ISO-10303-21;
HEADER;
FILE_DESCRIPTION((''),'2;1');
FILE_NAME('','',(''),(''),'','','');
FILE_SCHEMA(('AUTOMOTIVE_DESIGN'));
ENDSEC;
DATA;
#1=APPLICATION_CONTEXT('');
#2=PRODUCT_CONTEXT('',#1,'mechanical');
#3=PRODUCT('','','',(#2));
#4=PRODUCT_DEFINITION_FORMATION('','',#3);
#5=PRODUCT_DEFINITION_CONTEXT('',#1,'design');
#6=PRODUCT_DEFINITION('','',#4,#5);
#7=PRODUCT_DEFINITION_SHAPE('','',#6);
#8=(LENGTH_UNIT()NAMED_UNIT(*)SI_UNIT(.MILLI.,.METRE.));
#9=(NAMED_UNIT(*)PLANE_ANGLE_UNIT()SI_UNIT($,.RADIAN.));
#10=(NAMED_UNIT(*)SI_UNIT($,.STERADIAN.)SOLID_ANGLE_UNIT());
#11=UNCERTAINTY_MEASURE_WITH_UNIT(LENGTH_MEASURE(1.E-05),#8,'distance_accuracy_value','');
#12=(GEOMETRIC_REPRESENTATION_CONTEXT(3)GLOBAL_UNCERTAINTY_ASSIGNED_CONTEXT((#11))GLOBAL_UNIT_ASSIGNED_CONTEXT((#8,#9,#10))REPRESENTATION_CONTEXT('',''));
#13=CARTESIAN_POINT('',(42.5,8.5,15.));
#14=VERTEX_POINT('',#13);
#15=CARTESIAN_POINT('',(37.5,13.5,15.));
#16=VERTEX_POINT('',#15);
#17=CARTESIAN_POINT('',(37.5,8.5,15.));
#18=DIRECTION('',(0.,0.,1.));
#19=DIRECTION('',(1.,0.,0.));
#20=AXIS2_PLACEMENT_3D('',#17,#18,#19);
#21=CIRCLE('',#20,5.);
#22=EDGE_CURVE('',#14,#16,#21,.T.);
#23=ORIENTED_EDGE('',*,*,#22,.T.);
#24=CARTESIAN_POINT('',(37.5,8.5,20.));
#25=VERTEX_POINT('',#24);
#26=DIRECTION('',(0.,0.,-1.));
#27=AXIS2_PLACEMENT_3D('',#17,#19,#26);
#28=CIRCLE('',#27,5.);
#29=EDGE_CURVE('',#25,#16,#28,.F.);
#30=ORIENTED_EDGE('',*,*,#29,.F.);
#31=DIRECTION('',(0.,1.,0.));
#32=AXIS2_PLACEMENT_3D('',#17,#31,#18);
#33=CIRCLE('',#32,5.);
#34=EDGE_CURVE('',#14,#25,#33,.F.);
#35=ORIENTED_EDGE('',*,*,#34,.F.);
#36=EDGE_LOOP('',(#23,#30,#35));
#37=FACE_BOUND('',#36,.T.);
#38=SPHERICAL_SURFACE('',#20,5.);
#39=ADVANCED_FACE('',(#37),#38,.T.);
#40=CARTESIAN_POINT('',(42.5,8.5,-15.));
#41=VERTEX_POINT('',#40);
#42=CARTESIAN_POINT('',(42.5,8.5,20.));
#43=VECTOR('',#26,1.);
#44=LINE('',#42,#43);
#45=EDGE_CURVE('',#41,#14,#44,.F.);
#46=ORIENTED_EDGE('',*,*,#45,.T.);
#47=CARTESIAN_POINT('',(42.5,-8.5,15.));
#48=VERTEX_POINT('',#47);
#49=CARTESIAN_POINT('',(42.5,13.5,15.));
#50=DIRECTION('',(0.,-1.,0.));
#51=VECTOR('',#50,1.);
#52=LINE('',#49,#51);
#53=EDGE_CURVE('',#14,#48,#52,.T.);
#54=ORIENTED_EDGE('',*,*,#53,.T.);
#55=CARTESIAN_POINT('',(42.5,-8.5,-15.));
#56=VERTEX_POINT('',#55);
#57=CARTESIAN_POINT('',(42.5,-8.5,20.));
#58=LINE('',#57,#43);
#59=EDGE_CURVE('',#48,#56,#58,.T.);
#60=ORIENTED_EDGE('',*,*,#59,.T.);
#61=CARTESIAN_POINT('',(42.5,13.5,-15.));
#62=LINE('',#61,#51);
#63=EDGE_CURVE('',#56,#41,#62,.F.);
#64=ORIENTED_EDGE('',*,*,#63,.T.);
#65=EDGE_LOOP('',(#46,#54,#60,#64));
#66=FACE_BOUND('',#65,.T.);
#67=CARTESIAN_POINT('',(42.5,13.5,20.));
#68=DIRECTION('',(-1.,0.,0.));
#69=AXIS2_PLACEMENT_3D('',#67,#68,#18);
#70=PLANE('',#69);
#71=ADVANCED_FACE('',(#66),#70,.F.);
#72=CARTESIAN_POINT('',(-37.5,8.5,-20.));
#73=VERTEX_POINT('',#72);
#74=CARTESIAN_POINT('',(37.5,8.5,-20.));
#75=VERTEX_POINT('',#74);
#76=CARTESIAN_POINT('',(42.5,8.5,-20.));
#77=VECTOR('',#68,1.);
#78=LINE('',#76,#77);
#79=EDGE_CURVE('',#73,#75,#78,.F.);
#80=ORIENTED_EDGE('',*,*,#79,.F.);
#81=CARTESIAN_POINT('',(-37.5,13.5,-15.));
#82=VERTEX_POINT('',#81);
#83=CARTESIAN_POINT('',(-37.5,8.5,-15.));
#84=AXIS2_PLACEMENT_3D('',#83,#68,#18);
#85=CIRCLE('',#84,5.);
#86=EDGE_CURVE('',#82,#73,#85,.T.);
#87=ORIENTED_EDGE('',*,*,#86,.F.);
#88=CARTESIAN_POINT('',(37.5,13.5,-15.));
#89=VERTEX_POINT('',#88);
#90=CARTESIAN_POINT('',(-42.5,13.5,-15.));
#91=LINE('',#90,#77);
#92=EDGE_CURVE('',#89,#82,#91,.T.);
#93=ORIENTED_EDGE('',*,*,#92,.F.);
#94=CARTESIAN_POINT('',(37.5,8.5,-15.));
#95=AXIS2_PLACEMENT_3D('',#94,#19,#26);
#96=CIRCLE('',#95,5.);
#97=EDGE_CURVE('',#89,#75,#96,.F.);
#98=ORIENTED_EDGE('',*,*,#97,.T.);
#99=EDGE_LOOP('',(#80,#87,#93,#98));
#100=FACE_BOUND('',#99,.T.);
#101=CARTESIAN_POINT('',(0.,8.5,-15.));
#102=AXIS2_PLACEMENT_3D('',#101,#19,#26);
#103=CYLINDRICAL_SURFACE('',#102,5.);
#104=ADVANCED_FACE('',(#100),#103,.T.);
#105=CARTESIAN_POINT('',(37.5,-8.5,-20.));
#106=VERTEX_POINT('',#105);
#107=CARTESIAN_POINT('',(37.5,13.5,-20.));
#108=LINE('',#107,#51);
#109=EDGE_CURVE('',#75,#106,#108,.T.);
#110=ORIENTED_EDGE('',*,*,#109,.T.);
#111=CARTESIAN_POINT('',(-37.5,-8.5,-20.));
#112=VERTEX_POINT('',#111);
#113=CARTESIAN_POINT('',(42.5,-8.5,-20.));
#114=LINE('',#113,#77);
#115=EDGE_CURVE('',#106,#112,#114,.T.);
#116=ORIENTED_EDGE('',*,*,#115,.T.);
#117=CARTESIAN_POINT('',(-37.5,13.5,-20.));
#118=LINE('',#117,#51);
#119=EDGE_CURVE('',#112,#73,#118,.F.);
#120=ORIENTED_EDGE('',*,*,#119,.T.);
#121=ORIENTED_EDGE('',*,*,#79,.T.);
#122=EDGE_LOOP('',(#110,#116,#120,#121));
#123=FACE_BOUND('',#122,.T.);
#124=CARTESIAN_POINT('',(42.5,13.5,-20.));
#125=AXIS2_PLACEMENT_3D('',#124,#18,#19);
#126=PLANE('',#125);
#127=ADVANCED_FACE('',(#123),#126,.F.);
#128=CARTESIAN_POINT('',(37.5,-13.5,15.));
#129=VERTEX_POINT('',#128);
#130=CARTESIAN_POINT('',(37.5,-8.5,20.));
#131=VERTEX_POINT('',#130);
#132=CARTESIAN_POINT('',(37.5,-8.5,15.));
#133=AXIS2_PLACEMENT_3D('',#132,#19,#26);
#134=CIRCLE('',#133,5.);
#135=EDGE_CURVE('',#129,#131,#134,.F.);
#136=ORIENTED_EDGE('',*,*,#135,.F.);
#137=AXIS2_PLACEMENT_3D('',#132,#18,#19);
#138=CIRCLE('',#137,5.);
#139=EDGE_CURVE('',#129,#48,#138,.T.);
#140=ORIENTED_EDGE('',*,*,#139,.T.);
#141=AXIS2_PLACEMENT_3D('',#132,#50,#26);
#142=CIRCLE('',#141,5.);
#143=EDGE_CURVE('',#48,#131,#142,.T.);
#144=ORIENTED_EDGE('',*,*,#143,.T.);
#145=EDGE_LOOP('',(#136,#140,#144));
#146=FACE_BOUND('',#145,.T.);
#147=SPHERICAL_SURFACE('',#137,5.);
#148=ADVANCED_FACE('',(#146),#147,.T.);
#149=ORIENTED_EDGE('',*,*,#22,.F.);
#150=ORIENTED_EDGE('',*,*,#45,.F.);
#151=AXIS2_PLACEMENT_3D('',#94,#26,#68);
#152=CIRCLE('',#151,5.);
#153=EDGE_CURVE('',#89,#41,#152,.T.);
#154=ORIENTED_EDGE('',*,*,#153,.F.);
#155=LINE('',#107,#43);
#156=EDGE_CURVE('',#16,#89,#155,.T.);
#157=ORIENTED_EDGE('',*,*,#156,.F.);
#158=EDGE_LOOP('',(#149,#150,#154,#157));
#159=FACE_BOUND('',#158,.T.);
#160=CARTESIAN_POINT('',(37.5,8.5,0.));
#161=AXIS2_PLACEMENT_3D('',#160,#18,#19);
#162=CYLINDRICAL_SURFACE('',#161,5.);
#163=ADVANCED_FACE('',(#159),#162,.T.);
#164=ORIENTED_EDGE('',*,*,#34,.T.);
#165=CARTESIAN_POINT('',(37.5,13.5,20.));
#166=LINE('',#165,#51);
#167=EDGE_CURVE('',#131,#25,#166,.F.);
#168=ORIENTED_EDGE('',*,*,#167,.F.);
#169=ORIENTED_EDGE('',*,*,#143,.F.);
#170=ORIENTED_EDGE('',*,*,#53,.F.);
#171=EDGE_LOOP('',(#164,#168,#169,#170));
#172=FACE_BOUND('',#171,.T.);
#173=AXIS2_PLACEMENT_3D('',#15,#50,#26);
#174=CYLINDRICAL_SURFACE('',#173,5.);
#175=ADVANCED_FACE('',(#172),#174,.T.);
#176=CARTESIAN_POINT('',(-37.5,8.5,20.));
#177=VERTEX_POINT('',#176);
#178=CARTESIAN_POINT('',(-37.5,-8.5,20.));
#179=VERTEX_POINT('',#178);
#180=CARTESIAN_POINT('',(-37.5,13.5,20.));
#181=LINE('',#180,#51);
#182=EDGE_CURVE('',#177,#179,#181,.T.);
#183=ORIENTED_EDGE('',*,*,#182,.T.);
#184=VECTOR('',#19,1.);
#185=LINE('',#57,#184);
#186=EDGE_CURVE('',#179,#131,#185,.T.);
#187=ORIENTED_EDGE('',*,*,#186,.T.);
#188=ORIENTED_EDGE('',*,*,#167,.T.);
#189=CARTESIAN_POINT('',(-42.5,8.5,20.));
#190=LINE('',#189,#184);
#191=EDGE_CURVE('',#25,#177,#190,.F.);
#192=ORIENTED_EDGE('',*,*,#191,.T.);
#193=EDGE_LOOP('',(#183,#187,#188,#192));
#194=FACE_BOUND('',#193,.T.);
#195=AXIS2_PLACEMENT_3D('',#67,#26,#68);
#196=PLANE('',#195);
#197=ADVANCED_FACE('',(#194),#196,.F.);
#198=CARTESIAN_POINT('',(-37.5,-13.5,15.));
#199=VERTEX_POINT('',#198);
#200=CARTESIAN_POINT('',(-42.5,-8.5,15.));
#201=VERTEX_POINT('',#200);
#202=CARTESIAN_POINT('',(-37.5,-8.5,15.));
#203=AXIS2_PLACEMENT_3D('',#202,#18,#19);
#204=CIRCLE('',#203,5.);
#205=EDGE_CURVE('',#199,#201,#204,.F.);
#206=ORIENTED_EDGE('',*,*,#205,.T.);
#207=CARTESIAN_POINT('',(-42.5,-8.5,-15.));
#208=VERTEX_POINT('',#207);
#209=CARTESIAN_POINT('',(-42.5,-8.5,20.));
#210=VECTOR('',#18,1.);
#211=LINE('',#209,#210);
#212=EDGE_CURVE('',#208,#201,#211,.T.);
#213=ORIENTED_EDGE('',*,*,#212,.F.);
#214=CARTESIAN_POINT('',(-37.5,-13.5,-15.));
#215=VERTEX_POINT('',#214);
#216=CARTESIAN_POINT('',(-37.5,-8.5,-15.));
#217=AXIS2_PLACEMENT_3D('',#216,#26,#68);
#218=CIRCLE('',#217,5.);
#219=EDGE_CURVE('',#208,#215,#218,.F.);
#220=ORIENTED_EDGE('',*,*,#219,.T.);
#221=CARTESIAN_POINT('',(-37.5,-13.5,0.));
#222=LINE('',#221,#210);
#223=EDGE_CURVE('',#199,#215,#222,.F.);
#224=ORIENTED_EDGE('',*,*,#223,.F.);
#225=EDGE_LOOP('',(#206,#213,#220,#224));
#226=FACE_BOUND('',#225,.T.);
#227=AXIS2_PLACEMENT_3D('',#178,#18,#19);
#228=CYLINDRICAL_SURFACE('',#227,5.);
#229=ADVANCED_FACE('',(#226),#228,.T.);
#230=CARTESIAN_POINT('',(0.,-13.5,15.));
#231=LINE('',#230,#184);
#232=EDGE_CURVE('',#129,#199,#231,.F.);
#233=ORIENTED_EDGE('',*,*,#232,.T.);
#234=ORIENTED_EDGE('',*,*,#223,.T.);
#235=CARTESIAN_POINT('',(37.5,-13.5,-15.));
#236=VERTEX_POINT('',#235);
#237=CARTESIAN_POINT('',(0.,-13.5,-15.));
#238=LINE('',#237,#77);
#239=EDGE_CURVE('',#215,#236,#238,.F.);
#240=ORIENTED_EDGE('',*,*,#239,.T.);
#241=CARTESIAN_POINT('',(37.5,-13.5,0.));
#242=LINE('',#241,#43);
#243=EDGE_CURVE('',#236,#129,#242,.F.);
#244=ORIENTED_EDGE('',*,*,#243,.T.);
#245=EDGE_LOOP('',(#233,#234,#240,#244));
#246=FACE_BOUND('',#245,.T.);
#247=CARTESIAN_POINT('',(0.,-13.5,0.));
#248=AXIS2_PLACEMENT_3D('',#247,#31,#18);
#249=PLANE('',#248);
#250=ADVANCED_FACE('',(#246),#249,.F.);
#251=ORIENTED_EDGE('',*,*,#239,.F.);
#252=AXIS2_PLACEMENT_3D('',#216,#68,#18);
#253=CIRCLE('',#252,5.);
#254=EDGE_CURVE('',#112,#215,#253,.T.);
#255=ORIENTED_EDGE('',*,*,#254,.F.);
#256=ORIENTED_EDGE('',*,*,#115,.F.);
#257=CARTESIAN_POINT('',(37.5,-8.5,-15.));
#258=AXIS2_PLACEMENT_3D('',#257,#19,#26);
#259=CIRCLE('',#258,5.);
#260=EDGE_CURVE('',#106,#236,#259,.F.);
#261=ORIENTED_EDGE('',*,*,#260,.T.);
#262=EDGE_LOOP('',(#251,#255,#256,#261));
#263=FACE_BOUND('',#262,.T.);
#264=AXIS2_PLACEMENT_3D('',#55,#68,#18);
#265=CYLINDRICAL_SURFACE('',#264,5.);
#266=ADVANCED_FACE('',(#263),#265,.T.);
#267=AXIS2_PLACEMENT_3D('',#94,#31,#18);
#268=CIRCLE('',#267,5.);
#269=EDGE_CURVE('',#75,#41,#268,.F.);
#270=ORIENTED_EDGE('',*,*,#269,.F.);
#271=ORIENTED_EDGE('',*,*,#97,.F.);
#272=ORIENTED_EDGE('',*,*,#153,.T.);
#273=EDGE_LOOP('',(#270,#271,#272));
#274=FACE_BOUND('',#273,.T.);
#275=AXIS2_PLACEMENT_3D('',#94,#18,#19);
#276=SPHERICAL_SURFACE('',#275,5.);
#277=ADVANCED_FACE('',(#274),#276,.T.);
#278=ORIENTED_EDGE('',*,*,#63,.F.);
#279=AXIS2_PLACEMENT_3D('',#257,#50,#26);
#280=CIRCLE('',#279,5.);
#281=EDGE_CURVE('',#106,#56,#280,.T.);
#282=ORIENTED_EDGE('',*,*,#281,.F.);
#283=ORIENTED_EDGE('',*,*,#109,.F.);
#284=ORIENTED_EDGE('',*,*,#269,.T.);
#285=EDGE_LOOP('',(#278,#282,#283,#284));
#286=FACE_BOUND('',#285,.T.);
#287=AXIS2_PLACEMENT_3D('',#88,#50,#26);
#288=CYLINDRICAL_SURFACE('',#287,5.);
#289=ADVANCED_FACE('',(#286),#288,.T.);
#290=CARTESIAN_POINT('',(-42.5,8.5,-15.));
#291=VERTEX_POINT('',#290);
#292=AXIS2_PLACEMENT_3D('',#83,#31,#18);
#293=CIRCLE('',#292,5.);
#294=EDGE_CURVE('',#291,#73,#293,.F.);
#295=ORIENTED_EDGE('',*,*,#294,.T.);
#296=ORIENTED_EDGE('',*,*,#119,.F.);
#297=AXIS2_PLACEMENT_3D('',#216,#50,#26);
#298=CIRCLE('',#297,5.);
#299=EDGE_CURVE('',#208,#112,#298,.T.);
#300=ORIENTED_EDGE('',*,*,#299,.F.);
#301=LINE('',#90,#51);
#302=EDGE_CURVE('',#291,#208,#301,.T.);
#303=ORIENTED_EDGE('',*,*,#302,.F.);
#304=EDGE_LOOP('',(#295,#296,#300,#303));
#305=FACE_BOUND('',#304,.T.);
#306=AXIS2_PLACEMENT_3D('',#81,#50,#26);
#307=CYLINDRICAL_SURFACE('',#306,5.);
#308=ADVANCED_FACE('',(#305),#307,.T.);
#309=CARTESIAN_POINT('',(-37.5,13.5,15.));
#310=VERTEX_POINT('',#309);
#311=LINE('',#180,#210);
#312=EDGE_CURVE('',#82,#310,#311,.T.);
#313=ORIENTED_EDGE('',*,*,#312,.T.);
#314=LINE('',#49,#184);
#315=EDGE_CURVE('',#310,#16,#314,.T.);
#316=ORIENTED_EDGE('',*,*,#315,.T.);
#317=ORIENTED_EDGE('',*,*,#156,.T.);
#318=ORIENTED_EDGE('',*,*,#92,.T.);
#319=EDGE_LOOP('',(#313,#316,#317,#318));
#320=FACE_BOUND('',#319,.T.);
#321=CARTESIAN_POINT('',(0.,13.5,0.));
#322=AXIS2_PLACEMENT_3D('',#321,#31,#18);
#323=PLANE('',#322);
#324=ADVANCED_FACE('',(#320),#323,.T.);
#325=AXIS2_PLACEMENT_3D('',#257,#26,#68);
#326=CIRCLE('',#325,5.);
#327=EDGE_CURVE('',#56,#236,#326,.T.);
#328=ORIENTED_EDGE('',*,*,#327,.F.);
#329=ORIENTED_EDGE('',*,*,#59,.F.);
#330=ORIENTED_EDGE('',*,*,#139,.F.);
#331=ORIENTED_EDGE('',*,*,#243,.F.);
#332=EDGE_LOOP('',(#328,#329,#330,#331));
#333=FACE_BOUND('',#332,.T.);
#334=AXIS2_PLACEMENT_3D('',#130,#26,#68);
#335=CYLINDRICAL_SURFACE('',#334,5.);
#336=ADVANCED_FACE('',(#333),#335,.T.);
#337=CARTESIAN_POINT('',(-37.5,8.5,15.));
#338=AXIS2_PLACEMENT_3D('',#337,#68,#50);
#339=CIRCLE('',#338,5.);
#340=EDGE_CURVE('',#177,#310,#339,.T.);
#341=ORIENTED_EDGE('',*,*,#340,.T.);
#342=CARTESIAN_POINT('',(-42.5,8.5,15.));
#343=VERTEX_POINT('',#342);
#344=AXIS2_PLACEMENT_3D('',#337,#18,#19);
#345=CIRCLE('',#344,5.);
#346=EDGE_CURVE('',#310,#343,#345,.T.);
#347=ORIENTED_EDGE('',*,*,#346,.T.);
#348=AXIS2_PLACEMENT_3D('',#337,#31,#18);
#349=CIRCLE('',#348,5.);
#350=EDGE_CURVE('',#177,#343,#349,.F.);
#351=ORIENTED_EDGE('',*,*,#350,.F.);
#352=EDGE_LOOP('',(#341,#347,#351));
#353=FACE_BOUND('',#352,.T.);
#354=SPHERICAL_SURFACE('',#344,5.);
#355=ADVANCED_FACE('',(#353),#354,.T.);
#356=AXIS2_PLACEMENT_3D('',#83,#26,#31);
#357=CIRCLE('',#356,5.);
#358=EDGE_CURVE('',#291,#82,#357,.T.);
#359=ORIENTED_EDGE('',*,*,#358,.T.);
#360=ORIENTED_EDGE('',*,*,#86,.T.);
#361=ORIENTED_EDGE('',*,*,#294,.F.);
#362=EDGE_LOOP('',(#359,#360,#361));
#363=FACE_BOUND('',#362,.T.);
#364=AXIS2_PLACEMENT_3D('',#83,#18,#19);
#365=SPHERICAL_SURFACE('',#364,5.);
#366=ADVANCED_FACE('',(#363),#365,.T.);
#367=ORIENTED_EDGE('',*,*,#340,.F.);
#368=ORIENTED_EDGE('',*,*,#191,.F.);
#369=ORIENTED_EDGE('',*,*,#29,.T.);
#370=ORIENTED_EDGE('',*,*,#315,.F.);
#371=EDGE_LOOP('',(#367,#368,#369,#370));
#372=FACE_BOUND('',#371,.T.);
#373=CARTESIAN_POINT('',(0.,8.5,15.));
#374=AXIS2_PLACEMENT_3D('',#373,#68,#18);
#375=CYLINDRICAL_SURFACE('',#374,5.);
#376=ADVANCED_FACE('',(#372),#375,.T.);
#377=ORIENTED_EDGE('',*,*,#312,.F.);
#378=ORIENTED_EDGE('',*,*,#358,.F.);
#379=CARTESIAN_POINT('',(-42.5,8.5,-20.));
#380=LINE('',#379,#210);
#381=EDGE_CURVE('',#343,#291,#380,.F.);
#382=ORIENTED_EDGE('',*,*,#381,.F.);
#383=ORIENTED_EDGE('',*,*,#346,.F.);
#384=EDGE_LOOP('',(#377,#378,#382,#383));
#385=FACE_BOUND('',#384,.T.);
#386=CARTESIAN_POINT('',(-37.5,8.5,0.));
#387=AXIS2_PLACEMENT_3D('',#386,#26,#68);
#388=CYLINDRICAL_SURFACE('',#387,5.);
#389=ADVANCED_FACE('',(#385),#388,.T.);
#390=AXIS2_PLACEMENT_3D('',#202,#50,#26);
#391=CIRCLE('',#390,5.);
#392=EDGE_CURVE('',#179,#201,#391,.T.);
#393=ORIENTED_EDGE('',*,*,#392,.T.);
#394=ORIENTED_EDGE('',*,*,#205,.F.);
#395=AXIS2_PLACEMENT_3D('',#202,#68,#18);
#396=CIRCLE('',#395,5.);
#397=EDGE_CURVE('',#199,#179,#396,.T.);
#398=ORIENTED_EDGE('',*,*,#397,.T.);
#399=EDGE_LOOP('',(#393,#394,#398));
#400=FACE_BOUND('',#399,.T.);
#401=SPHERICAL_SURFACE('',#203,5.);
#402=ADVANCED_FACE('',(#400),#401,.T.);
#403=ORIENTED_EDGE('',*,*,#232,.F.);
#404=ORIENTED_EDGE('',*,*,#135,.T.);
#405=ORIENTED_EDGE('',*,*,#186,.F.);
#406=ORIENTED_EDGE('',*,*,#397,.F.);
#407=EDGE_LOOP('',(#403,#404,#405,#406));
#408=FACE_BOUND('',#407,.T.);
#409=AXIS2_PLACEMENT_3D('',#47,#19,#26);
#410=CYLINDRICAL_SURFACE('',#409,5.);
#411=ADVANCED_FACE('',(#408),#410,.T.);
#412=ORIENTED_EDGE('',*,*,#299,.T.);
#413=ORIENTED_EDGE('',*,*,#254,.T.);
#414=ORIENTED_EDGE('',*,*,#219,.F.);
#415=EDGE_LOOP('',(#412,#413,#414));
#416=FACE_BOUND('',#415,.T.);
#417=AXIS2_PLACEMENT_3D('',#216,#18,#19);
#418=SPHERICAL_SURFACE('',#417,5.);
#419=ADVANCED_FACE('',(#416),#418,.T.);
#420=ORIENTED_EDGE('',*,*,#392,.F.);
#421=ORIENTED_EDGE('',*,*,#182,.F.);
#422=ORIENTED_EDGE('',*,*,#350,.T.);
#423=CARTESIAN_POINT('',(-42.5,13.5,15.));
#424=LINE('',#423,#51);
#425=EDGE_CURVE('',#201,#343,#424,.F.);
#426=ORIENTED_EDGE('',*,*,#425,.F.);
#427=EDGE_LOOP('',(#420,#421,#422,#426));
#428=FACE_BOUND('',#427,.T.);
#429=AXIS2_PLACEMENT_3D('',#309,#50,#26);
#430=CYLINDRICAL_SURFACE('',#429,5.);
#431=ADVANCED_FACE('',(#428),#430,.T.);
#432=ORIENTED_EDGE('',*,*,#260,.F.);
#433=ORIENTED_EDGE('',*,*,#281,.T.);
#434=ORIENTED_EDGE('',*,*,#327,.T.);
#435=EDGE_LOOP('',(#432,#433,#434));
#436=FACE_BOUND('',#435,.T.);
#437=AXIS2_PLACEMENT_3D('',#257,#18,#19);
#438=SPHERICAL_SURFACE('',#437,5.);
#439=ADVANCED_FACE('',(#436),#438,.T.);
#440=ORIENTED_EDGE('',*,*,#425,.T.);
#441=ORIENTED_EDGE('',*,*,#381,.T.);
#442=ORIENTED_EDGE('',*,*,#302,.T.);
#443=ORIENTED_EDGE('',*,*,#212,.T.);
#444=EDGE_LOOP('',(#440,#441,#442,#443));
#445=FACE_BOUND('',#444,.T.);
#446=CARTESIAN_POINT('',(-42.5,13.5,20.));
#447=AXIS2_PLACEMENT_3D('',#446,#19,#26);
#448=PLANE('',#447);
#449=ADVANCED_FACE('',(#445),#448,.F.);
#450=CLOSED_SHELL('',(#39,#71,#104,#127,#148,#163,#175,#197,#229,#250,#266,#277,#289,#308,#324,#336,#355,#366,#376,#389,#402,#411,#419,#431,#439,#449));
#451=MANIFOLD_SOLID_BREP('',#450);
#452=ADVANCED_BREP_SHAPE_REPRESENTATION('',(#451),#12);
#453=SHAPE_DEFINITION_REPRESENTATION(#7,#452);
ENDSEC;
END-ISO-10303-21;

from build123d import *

# Parameters (mm, degrees)
SKETCH_1_W      = 85
SKETCH_1_H      = 40
EXTRUDE_1_DEPTH = 13.5
FILLET_1_R      = 5


with BuildPart() as part:
    # 草图1 → 凸台-拉伸1 (new, symmetric)
    with BuildSketch(Plane(origin=(0, 0, 0), x_dir=(1, 0, 0), z_dir=(0, 1, 0))):
        Rectangle(SKETCH_1_W, SKETCH_1_H)
    extrude(amount=EXTRUDE_1_DEPTH, both=True)

    # 圆角1
    fillet_1_edges = [part.edges().sort_by_distance(p)[0] for p in [
        (42.5, 13.5, 0),
        (0, 13.5, -20),
        (-42.5, 13.5, 0),
        (0, -13.5, -20),
        (42.5, -13.5, 0),
        (0, -13.5, 20),
        (-42.5, -13.5, 0),
        (0, 13.5, 20),
        (-42.5, 0, -20),
        (42.5, 0, -20),
        (42.5, 0, 20),
        (-42.5, 0, 20),
    ]]
    fillet(fillet_1_edges, radius=FILLET_1_R)


solid = part.part
